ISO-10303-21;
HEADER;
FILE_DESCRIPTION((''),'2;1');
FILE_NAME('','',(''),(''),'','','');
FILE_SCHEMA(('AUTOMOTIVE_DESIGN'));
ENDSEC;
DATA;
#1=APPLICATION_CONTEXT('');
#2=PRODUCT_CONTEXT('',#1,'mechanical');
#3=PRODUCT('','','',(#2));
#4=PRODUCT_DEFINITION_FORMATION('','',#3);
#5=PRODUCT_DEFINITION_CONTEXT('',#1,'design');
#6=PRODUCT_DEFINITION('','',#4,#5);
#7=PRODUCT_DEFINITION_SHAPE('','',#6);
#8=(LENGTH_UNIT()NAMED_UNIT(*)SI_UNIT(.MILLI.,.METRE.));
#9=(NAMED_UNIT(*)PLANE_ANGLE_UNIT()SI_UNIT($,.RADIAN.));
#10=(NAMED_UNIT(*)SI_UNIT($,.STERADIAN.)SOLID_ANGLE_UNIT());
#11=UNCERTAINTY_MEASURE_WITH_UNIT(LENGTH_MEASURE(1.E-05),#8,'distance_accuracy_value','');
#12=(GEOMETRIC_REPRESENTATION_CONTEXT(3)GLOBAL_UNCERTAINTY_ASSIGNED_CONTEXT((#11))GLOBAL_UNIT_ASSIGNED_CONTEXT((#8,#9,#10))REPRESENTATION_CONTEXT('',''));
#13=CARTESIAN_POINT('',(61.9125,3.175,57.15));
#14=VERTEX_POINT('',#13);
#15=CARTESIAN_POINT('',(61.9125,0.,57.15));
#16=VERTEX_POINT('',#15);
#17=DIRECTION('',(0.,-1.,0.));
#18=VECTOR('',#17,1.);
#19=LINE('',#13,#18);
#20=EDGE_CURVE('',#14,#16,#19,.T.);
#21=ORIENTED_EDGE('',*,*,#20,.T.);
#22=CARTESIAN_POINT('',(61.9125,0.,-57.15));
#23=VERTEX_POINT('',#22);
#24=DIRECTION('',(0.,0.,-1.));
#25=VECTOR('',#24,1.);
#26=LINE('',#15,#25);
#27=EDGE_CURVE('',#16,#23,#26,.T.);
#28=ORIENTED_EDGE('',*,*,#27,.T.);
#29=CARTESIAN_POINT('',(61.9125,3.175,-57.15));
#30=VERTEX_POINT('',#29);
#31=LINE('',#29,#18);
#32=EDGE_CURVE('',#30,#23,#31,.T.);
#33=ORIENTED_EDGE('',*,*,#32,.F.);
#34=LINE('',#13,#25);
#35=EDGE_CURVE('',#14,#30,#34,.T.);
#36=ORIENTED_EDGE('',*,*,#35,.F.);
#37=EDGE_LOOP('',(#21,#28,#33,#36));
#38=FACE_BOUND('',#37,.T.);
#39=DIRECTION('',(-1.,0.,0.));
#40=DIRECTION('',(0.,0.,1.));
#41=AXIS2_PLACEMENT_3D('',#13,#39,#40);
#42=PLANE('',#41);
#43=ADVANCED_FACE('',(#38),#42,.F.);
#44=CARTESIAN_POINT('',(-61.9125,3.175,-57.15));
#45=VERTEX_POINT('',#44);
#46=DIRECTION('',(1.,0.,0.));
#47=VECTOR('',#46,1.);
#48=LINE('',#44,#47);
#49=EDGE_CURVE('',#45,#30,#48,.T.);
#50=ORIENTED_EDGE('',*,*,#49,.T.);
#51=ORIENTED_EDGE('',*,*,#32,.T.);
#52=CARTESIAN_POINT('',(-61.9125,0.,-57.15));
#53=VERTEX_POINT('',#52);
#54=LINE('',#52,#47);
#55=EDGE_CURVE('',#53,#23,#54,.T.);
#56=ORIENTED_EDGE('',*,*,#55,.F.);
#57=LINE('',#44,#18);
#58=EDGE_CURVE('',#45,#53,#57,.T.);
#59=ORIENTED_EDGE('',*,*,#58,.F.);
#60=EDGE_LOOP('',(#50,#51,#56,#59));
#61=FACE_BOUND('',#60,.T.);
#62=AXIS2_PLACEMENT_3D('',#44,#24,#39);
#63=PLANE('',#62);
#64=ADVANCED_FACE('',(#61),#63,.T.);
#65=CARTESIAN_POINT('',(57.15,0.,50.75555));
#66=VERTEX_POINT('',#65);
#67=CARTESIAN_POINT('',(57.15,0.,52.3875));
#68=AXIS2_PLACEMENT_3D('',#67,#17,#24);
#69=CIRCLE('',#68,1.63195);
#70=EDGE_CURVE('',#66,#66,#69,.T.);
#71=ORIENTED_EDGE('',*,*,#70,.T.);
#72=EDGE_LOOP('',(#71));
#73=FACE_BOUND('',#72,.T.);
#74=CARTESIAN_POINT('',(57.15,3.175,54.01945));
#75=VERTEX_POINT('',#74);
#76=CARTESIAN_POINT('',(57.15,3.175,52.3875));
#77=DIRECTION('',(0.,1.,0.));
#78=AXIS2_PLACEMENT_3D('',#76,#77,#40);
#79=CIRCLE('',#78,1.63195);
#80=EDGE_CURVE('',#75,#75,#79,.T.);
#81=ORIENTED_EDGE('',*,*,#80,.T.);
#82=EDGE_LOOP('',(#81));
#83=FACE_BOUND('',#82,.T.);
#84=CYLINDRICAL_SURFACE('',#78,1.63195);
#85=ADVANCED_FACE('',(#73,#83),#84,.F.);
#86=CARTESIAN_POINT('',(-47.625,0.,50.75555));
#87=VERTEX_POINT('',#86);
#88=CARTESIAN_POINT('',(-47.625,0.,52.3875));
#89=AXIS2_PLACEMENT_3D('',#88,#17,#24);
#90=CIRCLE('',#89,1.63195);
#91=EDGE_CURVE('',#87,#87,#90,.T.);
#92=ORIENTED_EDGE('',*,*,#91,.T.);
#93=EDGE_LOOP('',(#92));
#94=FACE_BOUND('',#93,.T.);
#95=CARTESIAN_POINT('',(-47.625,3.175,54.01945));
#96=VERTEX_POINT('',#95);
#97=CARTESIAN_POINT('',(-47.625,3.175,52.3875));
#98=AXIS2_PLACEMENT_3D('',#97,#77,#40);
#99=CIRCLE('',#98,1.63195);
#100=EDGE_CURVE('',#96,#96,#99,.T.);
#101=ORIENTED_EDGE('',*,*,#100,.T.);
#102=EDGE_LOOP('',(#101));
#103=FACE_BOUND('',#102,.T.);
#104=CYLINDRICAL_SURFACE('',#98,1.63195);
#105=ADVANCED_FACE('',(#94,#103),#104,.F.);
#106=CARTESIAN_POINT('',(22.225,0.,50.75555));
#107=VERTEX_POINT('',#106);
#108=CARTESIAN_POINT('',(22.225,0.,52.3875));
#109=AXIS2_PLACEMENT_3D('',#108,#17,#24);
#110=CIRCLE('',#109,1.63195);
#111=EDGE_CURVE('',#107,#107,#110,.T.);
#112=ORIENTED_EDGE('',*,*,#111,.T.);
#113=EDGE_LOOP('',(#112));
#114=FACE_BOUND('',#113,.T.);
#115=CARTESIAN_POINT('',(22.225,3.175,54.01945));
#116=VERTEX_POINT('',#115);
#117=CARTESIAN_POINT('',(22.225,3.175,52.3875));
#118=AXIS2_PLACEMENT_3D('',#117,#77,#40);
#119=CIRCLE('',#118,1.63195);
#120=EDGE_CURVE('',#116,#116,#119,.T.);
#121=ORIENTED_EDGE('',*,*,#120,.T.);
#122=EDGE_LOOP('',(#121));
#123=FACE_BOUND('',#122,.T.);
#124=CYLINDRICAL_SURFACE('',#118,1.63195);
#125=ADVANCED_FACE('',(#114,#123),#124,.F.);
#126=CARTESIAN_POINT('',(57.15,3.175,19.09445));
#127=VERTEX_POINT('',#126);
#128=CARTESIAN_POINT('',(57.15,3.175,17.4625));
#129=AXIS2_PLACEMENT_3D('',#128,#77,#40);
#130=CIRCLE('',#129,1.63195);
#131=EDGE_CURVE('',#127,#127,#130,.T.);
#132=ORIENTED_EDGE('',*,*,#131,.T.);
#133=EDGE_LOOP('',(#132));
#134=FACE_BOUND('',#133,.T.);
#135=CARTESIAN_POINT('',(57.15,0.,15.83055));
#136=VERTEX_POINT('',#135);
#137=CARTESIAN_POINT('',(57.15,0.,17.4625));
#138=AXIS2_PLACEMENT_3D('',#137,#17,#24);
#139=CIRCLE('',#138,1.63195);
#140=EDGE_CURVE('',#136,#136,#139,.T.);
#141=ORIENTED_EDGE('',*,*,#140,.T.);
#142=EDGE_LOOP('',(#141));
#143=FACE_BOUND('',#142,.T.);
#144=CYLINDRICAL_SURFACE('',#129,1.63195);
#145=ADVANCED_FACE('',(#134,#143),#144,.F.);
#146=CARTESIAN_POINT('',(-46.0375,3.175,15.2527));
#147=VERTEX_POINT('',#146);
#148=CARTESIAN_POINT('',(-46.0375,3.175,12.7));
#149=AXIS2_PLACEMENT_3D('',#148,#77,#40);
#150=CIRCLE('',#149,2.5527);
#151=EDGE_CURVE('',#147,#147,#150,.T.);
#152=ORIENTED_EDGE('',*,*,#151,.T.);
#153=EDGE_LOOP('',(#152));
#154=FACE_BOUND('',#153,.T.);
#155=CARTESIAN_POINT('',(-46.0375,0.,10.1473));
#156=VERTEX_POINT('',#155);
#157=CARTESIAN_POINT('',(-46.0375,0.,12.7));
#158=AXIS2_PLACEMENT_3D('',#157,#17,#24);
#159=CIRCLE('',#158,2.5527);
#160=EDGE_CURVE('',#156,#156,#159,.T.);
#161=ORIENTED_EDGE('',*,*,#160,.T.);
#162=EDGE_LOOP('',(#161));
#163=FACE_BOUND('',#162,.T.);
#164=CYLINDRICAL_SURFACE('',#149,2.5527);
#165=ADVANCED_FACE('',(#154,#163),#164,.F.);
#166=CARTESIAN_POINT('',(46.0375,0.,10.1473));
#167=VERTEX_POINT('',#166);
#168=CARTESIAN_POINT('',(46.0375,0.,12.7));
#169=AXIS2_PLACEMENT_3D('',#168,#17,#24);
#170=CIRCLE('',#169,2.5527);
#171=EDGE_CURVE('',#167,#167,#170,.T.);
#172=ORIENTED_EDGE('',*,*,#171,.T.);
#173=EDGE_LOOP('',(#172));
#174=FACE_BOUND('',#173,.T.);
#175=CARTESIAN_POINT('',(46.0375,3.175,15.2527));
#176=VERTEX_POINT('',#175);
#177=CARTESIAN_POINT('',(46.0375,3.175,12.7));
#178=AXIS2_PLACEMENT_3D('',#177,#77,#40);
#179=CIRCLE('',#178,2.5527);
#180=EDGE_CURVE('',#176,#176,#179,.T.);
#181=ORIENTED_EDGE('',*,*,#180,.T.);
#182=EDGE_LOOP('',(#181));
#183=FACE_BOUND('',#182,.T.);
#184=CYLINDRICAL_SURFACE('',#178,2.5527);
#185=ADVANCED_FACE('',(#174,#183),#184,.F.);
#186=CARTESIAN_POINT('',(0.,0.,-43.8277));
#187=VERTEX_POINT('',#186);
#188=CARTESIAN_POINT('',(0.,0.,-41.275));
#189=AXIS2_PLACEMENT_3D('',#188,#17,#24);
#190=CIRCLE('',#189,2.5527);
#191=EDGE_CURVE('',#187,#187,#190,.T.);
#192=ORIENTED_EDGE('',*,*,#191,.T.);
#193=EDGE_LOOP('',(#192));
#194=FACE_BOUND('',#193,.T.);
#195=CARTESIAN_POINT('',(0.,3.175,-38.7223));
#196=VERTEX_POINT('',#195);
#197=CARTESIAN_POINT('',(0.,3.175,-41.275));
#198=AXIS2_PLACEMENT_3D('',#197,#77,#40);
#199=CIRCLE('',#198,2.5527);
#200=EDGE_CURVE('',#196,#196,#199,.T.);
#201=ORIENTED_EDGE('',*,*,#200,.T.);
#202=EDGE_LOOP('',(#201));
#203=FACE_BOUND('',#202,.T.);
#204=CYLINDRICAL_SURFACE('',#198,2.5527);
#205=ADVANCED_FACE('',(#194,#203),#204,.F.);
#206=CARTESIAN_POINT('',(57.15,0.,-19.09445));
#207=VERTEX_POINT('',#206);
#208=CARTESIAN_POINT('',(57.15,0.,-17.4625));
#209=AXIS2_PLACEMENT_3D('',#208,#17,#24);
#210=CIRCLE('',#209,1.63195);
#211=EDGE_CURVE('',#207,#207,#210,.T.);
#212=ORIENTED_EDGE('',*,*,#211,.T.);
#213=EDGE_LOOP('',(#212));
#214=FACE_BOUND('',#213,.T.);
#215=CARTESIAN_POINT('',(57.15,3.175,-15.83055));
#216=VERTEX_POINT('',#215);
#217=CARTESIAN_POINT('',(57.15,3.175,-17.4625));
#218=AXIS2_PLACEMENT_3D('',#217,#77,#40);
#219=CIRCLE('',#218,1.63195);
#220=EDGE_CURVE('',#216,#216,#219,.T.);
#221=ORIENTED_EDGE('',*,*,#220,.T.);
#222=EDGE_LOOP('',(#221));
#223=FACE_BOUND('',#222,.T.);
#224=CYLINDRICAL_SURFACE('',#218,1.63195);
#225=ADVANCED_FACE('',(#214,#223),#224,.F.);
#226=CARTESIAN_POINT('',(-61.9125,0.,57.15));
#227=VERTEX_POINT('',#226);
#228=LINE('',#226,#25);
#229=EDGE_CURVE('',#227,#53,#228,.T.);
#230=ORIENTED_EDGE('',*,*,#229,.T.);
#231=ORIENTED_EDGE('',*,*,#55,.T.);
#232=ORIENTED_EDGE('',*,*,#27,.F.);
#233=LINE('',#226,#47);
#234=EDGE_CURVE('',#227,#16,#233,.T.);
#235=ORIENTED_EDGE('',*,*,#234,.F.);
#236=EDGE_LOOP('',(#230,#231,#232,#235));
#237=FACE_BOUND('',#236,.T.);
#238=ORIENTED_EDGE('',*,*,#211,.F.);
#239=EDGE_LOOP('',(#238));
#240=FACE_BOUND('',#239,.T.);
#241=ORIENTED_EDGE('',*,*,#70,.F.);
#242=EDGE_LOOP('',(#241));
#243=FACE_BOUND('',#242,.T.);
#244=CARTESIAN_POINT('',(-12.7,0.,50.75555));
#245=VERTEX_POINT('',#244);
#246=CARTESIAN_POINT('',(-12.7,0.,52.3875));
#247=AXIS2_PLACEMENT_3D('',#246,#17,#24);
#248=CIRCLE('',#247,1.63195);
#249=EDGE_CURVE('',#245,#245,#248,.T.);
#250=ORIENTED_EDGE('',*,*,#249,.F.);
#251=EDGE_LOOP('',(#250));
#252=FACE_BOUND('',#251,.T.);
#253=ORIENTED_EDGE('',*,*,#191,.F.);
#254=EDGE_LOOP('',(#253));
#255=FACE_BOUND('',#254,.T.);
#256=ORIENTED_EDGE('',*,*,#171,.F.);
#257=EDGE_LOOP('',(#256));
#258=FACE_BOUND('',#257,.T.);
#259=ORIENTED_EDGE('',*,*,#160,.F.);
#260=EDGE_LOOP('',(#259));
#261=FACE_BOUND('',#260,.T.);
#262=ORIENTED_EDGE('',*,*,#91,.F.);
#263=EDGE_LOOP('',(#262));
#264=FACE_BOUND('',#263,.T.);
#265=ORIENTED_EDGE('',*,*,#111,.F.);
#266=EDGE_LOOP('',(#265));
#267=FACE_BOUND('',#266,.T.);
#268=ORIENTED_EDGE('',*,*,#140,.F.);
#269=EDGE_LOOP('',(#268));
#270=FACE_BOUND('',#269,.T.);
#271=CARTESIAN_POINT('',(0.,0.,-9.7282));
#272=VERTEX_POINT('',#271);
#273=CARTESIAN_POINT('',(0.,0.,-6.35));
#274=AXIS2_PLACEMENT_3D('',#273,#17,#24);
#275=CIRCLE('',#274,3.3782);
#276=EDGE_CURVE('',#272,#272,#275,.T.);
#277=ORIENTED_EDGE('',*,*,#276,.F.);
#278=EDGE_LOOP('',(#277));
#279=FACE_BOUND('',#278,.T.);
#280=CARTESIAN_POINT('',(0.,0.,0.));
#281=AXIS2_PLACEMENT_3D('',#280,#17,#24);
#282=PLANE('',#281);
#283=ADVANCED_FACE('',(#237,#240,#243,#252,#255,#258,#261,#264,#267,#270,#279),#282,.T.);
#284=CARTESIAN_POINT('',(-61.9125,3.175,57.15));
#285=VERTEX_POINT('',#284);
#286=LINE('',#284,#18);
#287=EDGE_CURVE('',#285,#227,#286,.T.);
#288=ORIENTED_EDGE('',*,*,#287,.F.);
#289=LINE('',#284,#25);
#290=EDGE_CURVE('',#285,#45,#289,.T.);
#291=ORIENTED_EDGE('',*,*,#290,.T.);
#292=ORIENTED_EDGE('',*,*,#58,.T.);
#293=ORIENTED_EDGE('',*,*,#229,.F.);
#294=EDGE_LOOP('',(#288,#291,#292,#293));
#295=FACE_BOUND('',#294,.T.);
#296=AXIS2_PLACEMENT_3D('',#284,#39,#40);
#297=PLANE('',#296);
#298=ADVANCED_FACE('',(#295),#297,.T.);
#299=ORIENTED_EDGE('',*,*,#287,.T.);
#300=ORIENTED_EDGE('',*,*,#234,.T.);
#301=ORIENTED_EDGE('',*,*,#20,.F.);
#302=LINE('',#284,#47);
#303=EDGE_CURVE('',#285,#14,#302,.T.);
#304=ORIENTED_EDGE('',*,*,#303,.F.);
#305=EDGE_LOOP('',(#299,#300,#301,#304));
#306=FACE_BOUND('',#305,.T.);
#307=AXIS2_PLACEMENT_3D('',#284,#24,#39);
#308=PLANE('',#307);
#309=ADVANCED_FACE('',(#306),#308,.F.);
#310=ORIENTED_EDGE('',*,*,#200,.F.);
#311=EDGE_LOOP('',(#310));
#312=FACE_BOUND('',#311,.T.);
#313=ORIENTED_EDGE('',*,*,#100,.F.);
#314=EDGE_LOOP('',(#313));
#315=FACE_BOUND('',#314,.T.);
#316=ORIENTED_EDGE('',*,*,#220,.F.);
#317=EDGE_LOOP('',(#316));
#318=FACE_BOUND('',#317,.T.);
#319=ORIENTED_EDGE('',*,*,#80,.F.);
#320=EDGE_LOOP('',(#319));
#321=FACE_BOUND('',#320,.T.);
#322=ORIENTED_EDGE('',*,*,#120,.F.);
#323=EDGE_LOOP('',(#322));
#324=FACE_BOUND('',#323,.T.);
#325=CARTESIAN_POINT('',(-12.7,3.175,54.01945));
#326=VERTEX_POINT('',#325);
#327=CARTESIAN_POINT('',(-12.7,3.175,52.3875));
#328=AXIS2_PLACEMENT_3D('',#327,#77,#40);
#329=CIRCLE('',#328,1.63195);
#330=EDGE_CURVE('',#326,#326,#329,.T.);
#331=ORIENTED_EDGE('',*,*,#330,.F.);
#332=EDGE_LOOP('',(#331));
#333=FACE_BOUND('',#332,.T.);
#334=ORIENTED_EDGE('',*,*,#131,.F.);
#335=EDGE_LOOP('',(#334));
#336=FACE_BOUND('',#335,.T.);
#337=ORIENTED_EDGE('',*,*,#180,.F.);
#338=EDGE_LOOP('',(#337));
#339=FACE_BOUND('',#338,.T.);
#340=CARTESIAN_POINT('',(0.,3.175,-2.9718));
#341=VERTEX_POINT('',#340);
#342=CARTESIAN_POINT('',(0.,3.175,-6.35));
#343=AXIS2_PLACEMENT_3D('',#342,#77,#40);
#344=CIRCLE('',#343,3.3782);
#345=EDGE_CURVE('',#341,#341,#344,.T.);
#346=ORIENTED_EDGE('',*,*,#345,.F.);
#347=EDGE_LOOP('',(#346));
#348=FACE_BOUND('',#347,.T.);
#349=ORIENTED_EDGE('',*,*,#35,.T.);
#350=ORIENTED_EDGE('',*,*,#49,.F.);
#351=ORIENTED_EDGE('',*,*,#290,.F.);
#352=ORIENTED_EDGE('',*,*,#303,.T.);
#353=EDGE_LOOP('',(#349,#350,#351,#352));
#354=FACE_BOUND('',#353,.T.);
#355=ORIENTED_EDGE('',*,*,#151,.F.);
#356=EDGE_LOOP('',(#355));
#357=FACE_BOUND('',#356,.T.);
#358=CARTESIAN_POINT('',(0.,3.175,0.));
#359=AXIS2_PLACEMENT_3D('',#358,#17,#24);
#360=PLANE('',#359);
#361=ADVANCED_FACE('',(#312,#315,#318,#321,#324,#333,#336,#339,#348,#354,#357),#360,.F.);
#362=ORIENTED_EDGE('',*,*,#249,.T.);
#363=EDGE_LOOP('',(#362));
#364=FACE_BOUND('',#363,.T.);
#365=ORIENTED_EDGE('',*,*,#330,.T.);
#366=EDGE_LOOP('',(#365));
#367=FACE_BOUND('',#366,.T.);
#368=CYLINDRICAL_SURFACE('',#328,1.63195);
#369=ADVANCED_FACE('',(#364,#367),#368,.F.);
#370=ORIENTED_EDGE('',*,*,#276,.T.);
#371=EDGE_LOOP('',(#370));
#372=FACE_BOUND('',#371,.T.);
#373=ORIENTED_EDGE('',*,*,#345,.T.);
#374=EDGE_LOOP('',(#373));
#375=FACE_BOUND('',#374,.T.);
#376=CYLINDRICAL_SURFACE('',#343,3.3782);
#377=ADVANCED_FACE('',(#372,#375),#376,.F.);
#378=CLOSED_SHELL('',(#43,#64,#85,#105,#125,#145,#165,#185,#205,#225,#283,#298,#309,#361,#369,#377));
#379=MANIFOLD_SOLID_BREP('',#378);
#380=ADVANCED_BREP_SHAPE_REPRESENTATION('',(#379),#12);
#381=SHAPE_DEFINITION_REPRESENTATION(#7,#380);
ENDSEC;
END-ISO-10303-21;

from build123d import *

# Parameters (mm, degrees)
SKETCH1_W                                = 123.825
SKETCH1_H                                = 114.3
PLATE_DEPTH                              = 3.175
FORCE_PLATE_POST_1_4_20_CLEARANCE_HOLE_D = 6.7564
F_4_CLEARANCE_HOLE1_D                    = 3.2639
F_10_CLEARANCE_HOLE1_D                   = 5.1054


with BuildPart() as part:
    # Sketch1 → Plate (new body)
    with BuildSketch(Plane(origin=(0, 0, 0), x_dir=(1, 0, 0), z_dir=(0, 1, 0))):
        Rectangle(SKETCH1_W, SKETCH1_H)
    extrude(amount=PLATE_DEPTH)

    # Force Plate Post (1/4"-20 Clearance Hole) (through all)
    with Locations(Plane(origin=(0, 3.175, 0), x_dir=(1, 0, 0), z_dir=(0, 1, 0))):
        with Locations((0, 6.35)):
            Hole(FORCE_PLATE_POST_1_4_20_CLEARANCE_HOLE_D / 2)

    # #4 Clearance Hole1 (through all)
    with Locations(Plane(origin=(0, 3.175, 0), x_dir=(1, 0, 0), z_dir=(0, 1, 0))):
        with Locations((57.15, -52.3875), (57.15, -17.4625), (57.15, 17.4625), (22.225, -52.3875), (-12.7, -52.3875), (-47.625, -52.3875)):
            Hole(F_4_CLEARANCE_HOLE1_D / 2)

    # #10 Clearance Hole1 (through all)
    with Locations(Plane(origin=(0, 3.175, 0), x_dir=(1, 0, 0), z_dir=(0, 1, 0))):
        with Locations((0, 41.275), (-46.0375, -12.7), (46.0375, -12.7)):
            Hole(F_10_CLEARANCE_HOLE1_D / 2)


solid = part.part
